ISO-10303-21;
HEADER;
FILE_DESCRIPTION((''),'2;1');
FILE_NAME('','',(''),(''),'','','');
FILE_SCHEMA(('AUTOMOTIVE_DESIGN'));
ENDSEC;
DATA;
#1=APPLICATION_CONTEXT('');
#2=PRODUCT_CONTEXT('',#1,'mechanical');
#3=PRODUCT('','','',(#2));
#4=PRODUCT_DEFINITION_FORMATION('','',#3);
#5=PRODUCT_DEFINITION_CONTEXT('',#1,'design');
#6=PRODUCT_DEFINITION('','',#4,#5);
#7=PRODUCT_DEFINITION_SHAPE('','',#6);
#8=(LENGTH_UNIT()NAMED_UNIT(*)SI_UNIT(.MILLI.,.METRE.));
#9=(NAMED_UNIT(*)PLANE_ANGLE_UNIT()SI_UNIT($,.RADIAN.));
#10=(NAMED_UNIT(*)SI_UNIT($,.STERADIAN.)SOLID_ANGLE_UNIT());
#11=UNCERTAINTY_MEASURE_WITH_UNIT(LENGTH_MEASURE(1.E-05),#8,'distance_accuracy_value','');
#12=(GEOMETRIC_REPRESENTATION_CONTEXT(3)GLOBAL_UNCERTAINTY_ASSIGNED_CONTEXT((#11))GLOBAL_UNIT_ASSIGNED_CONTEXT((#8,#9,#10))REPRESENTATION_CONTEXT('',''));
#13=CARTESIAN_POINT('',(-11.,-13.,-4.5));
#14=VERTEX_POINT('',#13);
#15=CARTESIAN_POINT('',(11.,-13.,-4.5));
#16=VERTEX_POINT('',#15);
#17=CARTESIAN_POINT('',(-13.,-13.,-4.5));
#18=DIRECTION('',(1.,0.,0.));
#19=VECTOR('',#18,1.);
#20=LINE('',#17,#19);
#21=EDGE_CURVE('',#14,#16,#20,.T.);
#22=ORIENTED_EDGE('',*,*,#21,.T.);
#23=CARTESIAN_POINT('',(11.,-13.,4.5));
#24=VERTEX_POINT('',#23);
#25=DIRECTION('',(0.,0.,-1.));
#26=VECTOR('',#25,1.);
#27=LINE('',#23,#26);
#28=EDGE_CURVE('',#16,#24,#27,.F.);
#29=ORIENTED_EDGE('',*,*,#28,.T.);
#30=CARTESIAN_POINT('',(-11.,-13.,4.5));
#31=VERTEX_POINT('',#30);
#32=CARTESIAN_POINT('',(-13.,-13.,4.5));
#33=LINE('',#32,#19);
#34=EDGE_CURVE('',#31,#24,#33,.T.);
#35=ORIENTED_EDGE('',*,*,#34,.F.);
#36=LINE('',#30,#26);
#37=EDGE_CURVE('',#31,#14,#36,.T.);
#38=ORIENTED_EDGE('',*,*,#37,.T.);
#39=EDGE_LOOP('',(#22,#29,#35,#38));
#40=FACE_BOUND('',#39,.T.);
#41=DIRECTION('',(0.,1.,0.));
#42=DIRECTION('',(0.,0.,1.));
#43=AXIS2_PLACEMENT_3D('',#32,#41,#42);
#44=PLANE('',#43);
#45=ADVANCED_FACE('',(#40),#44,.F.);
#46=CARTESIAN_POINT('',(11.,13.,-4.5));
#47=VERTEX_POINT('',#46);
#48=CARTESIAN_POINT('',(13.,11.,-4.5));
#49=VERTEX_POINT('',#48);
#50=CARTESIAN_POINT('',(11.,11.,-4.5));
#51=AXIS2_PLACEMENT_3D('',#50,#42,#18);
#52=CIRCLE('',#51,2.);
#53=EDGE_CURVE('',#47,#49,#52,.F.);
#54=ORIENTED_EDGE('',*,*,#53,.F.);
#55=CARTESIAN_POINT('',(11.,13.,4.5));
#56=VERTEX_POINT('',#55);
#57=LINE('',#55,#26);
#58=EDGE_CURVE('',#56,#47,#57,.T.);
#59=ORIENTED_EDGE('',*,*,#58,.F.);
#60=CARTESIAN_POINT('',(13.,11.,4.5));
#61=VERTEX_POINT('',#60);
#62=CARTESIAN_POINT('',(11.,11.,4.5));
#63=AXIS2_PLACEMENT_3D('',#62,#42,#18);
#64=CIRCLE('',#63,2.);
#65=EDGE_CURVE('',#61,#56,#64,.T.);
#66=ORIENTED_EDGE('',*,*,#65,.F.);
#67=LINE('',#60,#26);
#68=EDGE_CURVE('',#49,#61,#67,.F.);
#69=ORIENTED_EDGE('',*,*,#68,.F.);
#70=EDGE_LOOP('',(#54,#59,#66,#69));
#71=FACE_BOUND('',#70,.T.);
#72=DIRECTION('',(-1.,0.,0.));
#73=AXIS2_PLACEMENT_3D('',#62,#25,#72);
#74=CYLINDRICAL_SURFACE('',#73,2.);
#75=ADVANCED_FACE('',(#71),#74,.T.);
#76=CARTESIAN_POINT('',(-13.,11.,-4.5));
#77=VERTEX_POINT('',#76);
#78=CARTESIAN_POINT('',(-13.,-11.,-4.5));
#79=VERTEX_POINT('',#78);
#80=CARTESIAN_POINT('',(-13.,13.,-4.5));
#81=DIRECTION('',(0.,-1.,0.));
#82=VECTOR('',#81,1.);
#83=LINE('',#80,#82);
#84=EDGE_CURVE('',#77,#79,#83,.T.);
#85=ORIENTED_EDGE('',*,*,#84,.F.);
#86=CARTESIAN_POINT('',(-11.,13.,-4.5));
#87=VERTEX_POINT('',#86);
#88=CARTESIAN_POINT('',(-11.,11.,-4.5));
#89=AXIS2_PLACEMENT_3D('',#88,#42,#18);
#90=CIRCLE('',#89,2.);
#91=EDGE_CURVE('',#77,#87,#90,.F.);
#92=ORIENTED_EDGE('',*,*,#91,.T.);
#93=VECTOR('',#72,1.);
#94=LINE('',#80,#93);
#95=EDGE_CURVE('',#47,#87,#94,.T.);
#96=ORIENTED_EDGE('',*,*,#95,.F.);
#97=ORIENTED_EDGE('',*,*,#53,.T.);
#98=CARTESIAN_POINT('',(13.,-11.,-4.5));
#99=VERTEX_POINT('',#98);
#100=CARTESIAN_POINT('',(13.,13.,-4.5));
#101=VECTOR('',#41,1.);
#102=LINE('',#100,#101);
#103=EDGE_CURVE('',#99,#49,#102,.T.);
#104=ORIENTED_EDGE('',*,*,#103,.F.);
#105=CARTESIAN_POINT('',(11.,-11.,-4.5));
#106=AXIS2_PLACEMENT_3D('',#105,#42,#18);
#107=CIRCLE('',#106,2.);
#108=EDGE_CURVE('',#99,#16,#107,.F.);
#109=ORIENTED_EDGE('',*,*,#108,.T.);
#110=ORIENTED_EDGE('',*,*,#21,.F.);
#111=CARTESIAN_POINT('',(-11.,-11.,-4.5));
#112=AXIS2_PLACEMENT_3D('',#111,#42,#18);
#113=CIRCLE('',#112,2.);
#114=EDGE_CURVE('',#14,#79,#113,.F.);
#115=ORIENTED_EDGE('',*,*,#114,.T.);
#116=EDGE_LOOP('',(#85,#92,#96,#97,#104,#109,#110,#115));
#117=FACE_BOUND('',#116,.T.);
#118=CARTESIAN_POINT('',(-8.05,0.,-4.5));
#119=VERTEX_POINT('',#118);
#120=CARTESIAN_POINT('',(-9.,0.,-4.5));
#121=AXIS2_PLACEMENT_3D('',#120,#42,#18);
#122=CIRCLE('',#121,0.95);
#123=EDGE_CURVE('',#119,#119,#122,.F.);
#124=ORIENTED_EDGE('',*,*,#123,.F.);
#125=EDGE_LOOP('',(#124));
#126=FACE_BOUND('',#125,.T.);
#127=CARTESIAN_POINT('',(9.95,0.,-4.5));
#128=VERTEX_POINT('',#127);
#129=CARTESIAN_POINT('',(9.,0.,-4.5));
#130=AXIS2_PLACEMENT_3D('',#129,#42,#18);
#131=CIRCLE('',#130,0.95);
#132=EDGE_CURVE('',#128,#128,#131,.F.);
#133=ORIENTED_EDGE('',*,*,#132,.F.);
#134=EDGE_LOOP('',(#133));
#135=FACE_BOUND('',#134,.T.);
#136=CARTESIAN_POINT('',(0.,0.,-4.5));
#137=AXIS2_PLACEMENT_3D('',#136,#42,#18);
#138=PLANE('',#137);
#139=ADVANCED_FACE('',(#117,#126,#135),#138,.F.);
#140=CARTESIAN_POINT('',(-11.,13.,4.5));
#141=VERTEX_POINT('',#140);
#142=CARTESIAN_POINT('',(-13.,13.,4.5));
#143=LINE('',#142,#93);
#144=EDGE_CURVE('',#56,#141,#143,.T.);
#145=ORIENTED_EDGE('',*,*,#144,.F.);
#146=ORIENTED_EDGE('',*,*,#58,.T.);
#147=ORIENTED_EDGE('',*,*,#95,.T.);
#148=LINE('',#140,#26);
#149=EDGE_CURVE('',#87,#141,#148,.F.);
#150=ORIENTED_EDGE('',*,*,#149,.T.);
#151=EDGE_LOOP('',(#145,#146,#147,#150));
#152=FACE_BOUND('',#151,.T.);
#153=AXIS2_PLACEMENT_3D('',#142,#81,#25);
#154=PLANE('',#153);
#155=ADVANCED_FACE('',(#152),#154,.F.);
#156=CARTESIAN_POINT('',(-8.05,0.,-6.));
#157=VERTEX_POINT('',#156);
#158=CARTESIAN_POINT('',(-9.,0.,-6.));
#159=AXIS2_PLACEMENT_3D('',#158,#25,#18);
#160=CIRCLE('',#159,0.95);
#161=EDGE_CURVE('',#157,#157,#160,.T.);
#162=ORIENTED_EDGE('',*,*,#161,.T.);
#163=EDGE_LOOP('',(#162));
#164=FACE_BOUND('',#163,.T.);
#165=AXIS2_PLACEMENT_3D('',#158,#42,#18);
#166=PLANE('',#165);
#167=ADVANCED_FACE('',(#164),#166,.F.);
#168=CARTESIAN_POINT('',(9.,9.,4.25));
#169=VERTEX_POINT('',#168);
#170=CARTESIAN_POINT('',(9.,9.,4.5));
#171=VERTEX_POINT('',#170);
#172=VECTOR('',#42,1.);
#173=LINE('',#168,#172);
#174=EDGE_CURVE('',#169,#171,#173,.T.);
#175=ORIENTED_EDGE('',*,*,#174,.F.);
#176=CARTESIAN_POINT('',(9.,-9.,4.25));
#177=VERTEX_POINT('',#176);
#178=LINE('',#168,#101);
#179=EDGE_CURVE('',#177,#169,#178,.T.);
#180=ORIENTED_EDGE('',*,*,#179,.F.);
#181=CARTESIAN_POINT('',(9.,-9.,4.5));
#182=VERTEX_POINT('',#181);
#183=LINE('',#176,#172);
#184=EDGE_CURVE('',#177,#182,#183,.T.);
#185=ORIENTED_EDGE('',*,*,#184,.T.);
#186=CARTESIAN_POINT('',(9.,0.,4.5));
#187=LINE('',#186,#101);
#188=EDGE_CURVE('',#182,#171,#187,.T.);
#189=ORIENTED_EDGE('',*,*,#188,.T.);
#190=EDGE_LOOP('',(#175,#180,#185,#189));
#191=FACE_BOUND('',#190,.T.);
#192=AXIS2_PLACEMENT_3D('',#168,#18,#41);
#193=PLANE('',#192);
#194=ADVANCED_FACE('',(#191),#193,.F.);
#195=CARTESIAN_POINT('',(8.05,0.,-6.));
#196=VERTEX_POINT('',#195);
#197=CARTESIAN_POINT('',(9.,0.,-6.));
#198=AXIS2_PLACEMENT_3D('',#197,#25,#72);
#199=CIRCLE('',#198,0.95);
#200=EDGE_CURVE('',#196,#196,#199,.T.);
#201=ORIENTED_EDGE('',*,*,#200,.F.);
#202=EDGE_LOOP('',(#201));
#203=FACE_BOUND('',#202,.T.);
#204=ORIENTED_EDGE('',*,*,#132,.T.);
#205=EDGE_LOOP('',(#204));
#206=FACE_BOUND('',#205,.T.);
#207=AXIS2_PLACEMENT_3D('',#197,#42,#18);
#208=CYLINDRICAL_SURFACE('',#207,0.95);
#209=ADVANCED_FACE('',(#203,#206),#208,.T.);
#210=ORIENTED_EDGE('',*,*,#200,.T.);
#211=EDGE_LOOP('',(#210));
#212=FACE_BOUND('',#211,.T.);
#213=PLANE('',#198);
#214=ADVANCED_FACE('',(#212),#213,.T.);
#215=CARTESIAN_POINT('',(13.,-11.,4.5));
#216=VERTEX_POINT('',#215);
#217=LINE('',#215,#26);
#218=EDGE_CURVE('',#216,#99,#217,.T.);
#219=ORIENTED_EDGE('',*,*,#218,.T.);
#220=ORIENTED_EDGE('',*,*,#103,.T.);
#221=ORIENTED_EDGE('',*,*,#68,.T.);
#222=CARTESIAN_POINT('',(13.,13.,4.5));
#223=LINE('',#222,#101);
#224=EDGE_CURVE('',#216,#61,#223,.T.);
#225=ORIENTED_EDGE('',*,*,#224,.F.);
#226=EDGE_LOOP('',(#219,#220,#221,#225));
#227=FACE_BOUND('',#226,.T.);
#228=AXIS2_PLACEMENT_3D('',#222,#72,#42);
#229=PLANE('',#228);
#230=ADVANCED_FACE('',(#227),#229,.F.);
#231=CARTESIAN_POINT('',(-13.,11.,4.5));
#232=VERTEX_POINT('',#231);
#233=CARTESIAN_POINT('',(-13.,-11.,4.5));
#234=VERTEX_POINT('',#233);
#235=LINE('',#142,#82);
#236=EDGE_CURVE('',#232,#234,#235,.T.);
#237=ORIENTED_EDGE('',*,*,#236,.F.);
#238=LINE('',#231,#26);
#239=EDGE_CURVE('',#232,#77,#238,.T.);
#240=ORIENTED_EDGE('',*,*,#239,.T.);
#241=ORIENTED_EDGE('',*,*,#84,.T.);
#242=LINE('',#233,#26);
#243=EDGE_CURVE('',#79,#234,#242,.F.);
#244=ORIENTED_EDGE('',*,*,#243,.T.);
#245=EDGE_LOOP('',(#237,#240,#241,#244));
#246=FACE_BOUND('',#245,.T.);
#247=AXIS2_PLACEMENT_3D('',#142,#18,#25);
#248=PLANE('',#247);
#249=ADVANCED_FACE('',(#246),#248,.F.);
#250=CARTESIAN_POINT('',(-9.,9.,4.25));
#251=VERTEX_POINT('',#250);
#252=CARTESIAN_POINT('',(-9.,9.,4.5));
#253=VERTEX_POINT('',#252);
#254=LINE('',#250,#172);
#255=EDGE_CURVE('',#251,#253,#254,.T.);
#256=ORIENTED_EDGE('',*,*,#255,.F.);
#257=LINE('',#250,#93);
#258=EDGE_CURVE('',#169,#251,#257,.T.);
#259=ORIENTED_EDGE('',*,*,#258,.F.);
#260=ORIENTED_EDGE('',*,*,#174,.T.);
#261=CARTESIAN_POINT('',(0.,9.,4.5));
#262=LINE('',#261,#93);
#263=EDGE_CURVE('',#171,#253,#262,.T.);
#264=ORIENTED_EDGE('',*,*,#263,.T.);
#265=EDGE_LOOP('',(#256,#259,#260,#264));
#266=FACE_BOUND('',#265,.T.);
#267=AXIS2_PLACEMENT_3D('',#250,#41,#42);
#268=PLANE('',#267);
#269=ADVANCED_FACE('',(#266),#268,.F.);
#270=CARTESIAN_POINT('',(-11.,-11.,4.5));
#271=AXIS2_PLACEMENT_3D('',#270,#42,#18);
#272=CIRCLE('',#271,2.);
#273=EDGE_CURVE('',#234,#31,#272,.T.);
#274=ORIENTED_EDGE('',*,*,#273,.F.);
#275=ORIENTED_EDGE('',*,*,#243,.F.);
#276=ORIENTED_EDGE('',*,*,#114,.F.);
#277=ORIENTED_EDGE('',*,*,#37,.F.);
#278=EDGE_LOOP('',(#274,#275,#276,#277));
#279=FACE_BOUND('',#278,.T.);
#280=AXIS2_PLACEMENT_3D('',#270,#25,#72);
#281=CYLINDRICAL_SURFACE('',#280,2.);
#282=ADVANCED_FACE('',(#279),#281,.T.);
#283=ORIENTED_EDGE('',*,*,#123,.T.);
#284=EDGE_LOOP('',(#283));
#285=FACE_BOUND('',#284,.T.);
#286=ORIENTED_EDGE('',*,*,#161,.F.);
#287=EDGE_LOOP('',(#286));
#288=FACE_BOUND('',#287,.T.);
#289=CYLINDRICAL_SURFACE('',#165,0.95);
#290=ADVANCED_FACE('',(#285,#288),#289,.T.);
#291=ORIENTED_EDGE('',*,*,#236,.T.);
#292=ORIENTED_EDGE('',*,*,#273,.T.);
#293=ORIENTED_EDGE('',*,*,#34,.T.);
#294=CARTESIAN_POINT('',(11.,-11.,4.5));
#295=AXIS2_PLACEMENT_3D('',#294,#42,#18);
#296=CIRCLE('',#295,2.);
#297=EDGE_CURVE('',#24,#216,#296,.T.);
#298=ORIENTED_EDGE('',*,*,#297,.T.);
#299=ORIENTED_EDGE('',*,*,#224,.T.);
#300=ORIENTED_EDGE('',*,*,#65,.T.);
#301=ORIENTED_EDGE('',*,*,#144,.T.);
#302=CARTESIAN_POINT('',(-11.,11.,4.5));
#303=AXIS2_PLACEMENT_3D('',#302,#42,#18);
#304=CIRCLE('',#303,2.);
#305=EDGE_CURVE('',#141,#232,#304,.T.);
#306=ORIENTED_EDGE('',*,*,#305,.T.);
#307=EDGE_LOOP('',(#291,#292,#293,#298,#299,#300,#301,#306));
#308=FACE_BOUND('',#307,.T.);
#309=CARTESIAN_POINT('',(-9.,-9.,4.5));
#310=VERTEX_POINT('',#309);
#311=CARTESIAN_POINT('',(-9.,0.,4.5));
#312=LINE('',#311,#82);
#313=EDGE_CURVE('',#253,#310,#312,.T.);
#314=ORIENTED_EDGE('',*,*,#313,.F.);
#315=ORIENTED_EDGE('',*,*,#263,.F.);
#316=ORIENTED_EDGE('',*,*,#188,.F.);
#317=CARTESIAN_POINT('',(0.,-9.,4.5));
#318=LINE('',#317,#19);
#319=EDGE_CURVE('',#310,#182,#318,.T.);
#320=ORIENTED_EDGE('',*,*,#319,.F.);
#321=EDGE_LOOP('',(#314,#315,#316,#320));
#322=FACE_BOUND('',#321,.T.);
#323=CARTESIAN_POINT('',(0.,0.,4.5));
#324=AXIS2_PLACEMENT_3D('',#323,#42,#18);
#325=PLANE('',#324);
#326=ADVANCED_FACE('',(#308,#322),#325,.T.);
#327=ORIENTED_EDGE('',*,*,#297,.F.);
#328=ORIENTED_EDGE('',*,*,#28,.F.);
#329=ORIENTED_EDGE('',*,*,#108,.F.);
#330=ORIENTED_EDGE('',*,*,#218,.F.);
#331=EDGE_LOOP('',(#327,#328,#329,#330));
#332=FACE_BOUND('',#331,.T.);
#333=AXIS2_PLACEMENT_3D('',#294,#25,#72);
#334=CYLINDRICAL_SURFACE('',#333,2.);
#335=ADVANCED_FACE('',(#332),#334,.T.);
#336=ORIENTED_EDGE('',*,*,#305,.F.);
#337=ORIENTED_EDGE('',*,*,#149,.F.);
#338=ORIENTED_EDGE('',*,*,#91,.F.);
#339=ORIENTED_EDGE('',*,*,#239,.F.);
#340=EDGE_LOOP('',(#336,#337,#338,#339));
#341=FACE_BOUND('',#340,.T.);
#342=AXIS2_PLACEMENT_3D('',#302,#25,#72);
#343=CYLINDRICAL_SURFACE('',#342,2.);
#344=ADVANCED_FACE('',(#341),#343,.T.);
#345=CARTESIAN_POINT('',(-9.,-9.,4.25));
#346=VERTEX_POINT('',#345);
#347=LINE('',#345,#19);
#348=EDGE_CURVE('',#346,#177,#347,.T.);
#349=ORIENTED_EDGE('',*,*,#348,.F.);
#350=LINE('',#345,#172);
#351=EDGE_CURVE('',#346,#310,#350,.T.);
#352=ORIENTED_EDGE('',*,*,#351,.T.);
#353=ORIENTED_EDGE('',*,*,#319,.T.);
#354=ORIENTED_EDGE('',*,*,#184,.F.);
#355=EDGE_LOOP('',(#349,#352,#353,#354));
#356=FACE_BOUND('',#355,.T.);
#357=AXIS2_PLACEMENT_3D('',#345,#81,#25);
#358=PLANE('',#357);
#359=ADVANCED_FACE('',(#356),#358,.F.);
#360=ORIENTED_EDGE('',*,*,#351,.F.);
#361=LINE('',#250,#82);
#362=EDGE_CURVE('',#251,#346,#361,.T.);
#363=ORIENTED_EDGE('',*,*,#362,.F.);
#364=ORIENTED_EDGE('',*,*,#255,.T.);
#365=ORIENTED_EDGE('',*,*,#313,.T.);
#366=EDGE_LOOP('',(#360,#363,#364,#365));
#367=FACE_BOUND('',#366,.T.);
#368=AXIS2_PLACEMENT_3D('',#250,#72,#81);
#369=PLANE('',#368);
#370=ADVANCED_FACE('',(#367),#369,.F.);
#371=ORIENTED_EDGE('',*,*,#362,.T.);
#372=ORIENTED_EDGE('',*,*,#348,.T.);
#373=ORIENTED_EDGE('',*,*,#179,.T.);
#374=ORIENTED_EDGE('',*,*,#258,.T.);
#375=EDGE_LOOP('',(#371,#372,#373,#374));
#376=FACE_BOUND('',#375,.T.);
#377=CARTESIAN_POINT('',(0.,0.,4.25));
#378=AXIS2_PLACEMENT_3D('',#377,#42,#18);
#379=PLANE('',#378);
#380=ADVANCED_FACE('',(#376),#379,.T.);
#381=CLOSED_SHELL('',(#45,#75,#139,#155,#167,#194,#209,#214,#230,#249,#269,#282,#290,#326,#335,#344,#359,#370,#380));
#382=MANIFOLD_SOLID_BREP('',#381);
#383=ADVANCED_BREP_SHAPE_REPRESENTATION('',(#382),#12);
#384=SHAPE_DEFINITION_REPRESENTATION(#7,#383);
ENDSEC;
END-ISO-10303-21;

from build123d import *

# Parameters (mm, degrees)
SKETCH1_W           = 26
SKETCH1_H           = 26
BOSS_EXTRUDE1_DEPTH = 4.5
FILLET1_R           = 2
SKETCH2_W           = 18
SKETCH2_H           = 18
CUT_EXTRUDE1_DEPTH  = 0.25
SKETCH3_R           = 0.95
BOSS_EXTRUDE2_DEPTH = 1.5


with BuildPart() as part:
    # Sketch1 → Boss-Extrude1 (new, symmetric)
    with BuildSketch(Plane.XY):
        Rectangle(SKETCH1_W, SKETCH1_H)
    extrude(amount=BOSS_EXTRUDE1_DEPTH, both=True)

    # Fillet1
    fillet1_edges = [part.edges().sort_by_distance(p)[0] for p in [
        (-13, 13, 0),
        (13, 13, 0),
        (13, -13, 0),
        (-13, -13, 0),
    ]]
    fillet(fillet1_edges, radius=FILLET1_R)

    # Sketch2 → Cut-Extrude1 (cut, symmetric)
    with BuildSketch(Plane.XY.offset(4.5)):
        Rectangle(SKETCH2_W, SKETCH2_H)
    extrude(amount=CUT_EXTRUDE1_DEPTH, both=True, mode=Mode.SUBTRACT)

    # Sketch3 → Boss-Extrude2 (add, symmetric)
    with BuildSketch(Plane(origin=(0, 0, -4.5), x_dir=(-1, 0, 0), z_dir=(0, 0, -1))):
        with Locations(Location((-9, 0, 0), (0, 0, 180))):
            Circle(SKETCH3_R)
        with Locations(Location((9, 0, 0), (0, 0, 180))):
            Circle(SKETCH3_R)
    extrude(amount=BOSS_EXTRUDE2_DEPTH, both=True)


solid = part.part
